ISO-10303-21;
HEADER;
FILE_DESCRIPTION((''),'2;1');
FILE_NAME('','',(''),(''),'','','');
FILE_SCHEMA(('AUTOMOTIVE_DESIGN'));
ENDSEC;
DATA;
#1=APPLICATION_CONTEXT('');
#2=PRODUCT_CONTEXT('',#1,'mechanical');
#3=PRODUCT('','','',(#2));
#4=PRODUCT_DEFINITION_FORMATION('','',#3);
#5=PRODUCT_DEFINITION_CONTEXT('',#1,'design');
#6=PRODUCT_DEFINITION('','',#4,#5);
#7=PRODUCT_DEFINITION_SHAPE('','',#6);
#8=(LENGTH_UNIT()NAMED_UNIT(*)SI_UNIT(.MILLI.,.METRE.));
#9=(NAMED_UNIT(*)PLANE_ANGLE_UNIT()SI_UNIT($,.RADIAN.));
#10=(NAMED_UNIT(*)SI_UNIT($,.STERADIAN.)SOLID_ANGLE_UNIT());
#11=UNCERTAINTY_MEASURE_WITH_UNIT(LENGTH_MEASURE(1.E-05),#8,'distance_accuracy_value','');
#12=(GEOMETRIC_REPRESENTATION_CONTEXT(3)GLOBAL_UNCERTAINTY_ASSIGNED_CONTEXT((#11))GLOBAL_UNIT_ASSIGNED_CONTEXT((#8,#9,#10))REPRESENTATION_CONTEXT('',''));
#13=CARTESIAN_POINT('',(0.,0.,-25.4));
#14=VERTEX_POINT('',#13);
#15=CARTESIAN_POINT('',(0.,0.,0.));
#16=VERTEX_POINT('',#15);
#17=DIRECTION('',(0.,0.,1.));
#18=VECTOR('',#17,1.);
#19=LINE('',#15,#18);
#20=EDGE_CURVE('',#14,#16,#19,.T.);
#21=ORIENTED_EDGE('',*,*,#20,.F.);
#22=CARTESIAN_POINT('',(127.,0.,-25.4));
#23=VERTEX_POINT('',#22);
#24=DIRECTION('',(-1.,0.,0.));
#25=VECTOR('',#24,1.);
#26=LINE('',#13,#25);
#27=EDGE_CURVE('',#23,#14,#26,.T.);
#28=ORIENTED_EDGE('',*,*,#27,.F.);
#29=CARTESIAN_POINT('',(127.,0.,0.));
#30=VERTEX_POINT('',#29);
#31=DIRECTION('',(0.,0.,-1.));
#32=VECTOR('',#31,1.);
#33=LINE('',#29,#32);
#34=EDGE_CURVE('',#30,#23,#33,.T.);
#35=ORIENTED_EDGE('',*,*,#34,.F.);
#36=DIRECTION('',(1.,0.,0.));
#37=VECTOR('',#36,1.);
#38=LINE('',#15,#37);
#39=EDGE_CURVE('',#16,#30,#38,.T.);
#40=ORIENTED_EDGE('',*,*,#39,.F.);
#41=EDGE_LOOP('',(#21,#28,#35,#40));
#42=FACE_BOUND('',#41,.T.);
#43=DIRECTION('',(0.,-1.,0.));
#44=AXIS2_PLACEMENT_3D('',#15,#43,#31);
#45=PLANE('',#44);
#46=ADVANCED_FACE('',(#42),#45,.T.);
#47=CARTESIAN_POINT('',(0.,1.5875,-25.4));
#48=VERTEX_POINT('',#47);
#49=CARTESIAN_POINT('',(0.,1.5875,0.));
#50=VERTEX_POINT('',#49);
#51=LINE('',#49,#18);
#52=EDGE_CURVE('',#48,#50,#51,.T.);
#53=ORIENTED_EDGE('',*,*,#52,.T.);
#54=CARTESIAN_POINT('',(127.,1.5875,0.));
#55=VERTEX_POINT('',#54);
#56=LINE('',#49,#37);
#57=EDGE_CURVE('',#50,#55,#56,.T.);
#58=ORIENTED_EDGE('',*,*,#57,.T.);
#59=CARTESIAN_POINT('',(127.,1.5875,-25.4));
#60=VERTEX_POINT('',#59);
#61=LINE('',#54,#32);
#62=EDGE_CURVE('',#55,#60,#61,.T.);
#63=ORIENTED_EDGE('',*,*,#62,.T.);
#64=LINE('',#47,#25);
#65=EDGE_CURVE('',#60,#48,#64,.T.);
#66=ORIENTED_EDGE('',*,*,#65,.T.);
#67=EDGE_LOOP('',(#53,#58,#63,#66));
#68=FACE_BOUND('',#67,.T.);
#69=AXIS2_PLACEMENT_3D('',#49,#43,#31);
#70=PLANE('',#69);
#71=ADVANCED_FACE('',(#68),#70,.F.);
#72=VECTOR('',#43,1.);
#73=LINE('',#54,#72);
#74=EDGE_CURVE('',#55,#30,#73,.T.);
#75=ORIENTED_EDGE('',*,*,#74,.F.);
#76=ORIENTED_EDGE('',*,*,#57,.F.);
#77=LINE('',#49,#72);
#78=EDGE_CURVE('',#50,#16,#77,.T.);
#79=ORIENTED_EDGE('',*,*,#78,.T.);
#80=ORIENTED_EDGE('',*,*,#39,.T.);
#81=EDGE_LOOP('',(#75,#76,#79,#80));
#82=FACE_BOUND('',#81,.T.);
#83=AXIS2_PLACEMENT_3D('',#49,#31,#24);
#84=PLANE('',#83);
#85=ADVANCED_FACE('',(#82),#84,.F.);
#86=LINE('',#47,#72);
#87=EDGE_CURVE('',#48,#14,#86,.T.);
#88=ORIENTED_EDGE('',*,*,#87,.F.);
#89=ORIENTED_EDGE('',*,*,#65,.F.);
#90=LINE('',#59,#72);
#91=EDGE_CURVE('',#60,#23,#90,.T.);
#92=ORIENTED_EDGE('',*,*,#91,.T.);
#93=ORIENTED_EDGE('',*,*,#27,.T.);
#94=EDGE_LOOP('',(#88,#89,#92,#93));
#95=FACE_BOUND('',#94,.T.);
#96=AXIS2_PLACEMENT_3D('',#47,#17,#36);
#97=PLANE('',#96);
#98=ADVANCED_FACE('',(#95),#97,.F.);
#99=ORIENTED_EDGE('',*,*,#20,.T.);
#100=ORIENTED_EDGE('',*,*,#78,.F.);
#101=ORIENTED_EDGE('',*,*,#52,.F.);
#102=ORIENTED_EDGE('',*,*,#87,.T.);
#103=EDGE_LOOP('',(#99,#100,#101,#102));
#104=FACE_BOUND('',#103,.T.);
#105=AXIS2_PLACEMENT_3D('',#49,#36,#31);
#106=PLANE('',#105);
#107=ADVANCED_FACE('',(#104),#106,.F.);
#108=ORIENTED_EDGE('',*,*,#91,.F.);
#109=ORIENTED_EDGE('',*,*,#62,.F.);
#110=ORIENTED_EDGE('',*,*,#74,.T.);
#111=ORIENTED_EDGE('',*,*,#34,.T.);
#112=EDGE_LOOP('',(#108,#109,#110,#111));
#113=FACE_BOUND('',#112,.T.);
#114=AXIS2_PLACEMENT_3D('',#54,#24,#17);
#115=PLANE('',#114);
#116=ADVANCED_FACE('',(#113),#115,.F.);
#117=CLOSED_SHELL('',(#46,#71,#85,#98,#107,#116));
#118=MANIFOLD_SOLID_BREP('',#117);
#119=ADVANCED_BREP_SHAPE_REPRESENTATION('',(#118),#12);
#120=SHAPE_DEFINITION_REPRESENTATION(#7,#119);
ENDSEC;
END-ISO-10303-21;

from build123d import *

# Parameters (mm, degrees)
SKETCH2_W           = 127
SKETCH2_H           = 25.4
BOSS_EXTRUDE1_DEPTH = 1.5875


with BuildPart() as part:
    # Sketch2 → Boss-Extrude1 (new body)
    with BuildSketch(Plane(origin=(0, 0, 0), x_dir=(1, 0, 0), z_dir=(0, 1, 0))):
        with Locations((63.5, 12.7)):
            Rectangle(SKETCH2_W, SKETCH2_H)
    extrude(amount=BOSS_EXTRUDE1_DEPTH)


solid = part.part
